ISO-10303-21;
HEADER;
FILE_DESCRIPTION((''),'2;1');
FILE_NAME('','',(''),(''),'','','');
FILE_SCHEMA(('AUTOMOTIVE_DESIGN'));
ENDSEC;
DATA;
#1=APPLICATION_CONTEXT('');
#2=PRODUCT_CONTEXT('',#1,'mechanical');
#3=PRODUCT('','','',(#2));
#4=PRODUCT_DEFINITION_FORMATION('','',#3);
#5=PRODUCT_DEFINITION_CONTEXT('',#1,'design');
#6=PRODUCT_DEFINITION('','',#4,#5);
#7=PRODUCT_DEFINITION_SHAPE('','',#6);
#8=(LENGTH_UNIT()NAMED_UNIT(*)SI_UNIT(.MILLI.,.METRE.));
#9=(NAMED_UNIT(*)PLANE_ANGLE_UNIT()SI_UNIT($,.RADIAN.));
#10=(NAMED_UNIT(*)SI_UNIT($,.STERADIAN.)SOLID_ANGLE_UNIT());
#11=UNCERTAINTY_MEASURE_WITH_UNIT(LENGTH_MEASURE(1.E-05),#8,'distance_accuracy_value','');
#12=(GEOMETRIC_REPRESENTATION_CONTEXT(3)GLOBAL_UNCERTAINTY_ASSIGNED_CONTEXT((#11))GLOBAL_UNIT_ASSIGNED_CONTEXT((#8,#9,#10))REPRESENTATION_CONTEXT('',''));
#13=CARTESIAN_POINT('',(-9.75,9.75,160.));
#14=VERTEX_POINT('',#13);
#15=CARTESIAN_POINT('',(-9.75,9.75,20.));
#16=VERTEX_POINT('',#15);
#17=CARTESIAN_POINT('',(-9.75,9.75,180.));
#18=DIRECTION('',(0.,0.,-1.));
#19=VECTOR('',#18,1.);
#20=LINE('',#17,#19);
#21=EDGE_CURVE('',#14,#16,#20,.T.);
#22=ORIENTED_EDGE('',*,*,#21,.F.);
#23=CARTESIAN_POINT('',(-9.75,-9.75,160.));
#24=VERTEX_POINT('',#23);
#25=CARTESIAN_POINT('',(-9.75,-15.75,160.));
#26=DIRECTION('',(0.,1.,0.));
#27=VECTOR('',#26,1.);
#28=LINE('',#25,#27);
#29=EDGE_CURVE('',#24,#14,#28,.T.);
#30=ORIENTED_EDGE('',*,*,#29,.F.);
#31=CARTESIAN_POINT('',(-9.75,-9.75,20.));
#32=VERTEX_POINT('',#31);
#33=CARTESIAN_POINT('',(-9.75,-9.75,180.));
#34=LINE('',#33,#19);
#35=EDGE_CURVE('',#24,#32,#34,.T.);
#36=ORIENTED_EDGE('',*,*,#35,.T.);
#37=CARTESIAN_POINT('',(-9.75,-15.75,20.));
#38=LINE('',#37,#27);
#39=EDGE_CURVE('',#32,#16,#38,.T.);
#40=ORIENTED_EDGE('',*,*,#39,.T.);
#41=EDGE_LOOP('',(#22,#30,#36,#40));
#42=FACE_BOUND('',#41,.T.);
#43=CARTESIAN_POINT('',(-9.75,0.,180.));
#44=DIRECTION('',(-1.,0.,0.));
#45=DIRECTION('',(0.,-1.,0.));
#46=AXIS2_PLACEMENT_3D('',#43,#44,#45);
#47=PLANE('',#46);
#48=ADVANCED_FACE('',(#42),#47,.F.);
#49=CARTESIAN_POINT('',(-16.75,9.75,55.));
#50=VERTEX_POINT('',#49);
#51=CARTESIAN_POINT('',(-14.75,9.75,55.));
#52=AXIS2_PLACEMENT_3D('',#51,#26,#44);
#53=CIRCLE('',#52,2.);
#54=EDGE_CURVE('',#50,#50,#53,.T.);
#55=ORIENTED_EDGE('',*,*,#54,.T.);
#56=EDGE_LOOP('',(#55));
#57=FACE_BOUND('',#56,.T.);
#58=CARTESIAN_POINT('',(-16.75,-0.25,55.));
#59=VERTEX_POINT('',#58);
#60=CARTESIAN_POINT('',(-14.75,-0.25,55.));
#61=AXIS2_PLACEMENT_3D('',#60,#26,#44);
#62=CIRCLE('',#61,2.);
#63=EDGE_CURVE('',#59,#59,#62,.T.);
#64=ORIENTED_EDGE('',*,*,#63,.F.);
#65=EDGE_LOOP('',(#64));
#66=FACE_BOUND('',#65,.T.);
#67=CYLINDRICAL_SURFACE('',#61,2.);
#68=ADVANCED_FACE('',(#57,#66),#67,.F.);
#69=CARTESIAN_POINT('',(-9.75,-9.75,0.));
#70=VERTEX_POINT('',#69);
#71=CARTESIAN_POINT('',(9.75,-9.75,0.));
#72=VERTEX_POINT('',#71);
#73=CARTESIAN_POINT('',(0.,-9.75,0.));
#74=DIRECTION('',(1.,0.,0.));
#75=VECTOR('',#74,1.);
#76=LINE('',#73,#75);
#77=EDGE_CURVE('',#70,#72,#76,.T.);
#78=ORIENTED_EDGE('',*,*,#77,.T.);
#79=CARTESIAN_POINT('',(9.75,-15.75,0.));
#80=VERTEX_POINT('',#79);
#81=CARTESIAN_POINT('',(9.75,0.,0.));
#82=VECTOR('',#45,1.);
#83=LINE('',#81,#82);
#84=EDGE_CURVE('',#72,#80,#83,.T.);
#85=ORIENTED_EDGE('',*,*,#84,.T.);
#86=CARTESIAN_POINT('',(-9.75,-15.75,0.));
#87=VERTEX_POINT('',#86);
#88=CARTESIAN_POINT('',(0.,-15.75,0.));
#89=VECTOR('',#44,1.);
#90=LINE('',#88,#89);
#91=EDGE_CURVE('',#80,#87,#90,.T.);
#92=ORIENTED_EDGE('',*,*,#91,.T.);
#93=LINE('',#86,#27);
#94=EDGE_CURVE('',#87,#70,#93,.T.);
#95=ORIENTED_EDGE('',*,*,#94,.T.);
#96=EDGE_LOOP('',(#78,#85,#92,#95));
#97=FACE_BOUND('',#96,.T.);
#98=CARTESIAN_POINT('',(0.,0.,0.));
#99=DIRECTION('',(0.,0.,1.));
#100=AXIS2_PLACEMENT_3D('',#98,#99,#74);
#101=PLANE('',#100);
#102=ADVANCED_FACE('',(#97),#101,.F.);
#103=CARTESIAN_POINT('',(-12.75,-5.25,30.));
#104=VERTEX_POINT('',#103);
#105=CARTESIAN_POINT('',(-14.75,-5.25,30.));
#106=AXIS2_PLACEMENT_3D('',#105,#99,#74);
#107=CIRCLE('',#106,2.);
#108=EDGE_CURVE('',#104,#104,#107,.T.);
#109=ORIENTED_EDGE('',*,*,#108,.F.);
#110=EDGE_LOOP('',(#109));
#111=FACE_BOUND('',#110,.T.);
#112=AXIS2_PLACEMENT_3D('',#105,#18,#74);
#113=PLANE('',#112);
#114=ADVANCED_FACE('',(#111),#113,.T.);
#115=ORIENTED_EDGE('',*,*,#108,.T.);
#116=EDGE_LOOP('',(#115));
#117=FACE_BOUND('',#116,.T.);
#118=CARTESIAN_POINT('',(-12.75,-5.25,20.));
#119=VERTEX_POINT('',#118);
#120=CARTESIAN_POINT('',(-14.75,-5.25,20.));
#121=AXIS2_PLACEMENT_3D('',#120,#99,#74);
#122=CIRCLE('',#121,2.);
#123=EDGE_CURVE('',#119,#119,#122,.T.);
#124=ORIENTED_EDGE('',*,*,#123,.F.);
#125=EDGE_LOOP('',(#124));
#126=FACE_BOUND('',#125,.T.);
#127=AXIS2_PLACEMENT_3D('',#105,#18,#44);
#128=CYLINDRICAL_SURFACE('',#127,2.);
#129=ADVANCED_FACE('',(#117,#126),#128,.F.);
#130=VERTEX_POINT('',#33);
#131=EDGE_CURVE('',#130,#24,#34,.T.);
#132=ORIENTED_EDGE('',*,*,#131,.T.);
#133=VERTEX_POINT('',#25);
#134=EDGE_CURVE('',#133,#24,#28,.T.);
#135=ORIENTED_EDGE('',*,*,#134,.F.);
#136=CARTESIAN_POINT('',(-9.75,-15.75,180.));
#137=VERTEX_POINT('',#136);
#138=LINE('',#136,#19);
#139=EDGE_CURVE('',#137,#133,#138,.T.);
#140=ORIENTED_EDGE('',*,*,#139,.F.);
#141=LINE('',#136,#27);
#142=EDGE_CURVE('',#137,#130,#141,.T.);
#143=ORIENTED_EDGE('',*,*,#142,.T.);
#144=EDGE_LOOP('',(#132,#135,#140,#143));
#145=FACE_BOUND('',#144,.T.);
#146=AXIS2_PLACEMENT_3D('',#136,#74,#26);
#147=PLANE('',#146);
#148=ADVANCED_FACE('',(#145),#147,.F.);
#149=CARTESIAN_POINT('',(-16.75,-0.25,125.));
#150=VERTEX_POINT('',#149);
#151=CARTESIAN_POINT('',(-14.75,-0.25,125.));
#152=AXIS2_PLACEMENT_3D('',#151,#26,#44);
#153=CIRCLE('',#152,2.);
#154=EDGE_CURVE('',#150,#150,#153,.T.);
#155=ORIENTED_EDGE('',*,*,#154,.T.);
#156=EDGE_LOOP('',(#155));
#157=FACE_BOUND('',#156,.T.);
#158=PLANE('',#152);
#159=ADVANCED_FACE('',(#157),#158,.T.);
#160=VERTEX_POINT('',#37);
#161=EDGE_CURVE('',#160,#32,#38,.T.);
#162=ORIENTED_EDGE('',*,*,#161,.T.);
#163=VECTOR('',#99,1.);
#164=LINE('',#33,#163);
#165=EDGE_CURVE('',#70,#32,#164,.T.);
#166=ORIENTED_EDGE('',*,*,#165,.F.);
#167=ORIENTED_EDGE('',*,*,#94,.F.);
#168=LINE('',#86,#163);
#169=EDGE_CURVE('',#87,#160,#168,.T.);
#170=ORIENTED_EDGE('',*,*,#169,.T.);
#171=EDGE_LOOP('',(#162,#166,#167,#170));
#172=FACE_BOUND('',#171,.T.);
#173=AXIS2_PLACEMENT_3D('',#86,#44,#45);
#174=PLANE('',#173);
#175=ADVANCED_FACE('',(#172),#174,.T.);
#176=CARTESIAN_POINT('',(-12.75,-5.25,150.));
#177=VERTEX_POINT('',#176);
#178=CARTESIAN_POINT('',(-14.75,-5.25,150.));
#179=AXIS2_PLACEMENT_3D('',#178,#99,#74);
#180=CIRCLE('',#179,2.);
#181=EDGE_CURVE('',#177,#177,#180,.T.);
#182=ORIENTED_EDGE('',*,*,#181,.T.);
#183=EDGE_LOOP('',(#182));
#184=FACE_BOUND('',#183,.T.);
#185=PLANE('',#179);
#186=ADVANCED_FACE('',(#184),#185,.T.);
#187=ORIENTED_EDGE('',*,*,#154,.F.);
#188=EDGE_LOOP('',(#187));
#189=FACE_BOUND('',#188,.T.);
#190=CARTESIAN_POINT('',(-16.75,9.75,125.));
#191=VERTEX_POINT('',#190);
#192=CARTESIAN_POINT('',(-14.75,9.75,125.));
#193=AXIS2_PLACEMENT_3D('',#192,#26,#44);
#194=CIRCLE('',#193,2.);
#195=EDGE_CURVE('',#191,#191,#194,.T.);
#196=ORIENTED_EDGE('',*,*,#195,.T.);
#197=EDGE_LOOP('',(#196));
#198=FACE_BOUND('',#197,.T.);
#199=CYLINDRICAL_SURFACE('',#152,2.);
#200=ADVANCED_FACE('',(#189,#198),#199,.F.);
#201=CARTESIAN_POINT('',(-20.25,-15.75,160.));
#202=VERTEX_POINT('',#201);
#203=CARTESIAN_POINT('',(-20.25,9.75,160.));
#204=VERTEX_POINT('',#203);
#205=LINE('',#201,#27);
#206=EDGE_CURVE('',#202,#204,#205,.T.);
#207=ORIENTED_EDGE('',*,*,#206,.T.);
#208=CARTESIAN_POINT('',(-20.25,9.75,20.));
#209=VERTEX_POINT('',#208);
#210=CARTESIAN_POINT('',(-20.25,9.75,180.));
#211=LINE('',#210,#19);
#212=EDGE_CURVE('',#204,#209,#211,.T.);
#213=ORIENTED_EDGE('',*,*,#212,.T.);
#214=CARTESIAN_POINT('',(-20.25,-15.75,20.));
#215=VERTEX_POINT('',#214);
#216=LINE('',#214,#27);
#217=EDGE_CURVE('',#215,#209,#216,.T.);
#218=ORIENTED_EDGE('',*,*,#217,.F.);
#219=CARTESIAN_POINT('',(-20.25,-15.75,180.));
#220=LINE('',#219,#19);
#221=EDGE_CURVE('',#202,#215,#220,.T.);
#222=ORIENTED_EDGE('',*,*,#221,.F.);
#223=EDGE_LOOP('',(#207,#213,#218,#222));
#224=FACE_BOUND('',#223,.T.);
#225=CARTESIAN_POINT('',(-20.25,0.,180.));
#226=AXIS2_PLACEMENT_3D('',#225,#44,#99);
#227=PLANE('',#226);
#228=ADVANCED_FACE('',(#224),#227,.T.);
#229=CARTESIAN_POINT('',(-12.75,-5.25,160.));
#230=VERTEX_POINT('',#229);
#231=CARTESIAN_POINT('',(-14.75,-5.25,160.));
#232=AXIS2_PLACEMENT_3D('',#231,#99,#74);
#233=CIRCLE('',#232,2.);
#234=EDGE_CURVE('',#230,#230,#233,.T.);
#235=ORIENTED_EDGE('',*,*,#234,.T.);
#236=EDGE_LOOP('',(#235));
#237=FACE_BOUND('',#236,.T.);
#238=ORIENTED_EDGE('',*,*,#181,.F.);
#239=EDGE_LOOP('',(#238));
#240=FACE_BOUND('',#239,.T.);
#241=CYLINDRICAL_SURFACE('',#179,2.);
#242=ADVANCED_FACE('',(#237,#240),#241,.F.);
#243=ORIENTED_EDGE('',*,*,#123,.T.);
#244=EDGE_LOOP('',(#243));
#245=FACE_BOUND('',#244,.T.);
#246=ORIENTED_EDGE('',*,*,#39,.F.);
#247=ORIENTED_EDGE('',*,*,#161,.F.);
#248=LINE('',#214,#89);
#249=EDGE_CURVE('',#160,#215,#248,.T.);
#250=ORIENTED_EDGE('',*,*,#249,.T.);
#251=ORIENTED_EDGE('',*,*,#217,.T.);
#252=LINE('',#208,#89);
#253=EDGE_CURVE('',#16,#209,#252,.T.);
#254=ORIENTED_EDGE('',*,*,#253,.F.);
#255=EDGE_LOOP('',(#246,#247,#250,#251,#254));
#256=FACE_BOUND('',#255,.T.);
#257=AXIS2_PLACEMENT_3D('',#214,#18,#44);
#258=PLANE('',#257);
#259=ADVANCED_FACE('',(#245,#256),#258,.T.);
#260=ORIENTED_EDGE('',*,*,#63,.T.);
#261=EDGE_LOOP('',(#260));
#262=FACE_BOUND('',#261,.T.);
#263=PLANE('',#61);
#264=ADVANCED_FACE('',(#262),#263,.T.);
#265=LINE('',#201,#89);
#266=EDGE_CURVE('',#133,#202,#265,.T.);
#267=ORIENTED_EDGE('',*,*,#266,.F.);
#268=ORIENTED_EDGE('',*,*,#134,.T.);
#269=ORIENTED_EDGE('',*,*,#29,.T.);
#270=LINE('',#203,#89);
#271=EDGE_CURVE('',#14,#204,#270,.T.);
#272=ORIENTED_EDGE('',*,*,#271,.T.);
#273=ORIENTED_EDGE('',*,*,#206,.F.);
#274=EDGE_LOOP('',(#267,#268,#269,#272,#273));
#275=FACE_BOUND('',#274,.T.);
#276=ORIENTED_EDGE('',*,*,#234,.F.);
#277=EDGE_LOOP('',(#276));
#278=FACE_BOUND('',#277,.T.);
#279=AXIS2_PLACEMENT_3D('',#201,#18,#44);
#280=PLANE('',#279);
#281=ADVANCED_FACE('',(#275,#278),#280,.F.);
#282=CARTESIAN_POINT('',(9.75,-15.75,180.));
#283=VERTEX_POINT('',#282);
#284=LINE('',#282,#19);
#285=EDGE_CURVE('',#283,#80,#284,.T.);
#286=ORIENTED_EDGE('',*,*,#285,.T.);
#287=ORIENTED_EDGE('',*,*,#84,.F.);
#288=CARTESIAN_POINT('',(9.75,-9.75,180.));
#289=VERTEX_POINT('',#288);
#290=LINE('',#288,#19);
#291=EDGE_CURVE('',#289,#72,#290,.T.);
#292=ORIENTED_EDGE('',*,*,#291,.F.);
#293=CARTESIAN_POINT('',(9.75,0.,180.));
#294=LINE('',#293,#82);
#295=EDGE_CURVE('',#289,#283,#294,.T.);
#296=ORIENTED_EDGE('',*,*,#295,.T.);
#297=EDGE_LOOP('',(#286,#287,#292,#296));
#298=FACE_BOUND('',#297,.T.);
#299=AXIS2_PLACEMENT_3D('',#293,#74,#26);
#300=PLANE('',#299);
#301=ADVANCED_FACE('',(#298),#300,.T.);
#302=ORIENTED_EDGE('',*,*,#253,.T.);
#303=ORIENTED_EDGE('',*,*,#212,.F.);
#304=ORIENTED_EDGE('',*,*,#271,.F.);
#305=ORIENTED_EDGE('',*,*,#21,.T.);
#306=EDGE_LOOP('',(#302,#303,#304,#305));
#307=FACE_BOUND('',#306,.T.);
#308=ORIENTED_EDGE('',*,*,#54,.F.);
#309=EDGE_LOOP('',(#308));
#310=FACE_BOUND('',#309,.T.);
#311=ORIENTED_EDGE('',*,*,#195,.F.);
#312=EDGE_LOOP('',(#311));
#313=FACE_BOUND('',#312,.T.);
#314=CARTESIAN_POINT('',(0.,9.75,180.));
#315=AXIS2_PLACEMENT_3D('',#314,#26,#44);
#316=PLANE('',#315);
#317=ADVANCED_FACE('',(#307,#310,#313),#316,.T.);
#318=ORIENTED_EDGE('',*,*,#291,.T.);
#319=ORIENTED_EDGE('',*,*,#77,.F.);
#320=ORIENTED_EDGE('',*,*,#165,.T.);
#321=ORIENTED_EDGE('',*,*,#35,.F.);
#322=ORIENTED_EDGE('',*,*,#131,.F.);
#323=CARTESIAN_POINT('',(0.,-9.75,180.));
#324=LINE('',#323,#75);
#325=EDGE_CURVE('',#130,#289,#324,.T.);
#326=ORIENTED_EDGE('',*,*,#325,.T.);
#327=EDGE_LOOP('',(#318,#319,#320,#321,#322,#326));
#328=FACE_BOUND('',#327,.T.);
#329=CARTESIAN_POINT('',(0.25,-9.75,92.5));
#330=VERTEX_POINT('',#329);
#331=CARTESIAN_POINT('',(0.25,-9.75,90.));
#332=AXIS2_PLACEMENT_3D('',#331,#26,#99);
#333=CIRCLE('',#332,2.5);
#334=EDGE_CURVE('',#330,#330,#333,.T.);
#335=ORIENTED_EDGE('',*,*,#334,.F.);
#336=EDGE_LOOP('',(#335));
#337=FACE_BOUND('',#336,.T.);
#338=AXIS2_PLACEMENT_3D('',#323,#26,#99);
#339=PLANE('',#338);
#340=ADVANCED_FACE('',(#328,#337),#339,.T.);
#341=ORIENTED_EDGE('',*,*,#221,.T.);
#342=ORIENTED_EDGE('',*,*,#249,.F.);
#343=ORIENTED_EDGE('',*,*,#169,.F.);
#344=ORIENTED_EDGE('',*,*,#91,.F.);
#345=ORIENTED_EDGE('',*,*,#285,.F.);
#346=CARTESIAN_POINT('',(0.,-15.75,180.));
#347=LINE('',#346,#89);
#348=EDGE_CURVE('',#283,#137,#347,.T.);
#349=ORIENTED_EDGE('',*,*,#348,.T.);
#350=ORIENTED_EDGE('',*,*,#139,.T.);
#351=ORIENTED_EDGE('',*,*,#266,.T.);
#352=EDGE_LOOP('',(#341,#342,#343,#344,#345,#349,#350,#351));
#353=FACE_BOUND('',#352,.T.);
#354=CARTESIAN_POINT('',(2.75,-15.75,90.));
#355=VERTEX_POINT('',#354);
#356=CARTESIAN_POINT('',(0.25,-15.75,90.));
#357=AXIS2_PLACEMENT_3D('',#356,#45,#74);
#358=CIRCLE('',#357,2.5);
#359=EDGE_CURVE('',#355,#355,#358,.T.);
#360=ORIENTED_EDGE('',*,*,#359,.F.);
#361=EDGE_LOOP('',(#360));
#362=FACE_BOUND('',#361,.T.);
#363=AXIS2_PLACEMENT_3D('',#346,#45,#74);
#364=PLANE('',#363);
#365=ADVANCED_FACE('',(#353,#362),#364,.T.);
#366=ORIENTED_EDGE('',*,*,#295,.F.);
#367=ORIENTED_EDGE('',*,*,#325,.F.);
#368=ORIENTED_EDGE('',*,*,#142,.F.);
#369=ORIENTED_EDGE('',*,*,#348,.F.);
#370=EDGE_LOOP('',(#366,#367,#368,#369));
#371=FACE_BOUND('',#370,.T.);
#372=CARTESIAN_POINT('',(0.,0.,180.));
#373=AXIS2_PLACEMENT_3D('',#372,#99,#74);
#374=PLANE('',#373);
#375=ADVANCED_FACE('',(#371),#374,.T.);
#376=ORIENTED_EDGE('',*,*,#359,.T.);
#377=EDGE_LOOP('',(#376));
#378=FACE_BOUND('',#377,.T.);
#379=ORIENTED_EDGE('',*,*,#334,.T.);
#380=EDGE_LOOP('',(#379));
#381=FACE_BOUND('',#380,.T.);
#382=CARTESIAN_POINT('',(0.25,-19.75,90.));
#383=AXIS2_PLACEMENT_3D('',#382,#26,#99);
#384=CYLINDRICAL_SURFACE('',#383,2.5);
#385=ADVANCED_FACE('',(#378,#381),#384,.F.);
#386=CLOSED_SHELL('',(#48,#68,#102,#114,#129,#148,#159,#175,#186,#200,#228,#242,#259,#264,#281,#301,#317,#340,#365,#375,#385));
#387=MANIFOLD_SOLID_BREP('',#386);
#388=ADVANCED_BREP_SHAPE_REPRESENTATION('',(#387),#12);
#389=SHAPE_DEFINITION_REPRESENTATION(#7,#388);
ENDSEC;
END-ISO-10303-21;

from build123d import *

# Parameters (mm, degrees)
DODANIE_WYCI_GNI_CIE1_DEPTH = 180
SZKIC2_W                    = 10.5
SZKIC2_H                    = 20
WYTNIJ_WYCI_GNI_CIE1_DEPTH  = 183.921602059
SZKIC3_R                    = 2
WYTNIJ_WYCI_GNI_CIE2_DEPTH  = 10
SZKIC4_R                    = 2
WYTNIJ_WYCI_GNI_CIE3_DEPTH  = 10
SZKIC5_R                    = 2.5
WYTNIJ_WYCI_GNI_CIE4_DEPTH  = 10


with BuildPart() as part:
    # Szkic1 → Dodanie-wyciągnięcie1 (new body)
    with BuildSketch(Plane.XY):
        Polygon((9.75, -9.75), (9.75, -15.75), (-20.25, -15.75), (-20.25, 9.75), (-9.75, 9.75), (-9.75, -9.75), align=None)
    extrude(amount=DODANIE_WYCI_GNI_CIE1_DEPTH)

    # Szkic2 → Wytnij-wyciągnięcie1 (cut, through all)
    with BuildSketch(Plane(origin=(0, 9.75, 0), x_dir=(1, 0, 0), z_dir=(0, 1, 0))):
        with Locations((-15, -170)):
            Rectangle(SZKIC2_W, SZKIC2_H)
    wytnij_wyci_gni_cie1 = extrude(amount=-WYTNIJ_WYCI_GNI_CIE1_DEPTH, mode=Mode.SUBTRACT)

    # Lustro1: Wytnij-wyciągnięcie1 across plane
    add(wytnij_wyci_gni_cie1.mirror(Plane.XY.offset(90)), mode=Mode.SUBTRACT)

    # Szkic3 → Wytnij-wyciągnięcie2 (cut)
    with BuildSketch(Plane(origin=(0, 9.75, 0), x_dir=(1, 0, 0), z_dir=(0, 1, 0))):
        with Locations(Location((-14.75, -55, 0), (0, 0, 180))):
            Circle(SZKIC3_R)
        with Locations(Location((-14.75, -125, 0), (0, 0, 180))):
            Circle(SZKIC3_R)
    extrude(amount=-WYTNIJ_WYCI_GNI_CIE2_DEPTH, mode=Mode.SUBTRACT)

    # Szkic4 → Wytnij-wyciągnięcie3 (cut)
    with BuildSketch(Plane.XY.offset(160)):
        with Locations((-14.75, -5.25)):
            Circle(SZKIC4_R)
    wytnij_wyci_gni_cie3 = extrude(amount=-WYTNIJ_WYCI_GNI_CIE3_DEPTH, mode=Mode.SUBTRACT)

    # Lustro2: Wytnij-wyciągnięcie3 across plane
    add(wytnij_wyci_gni_cie3.mirror(Plane.XY.offset(90)), mode=Mode.SUBTRACT)

    # Szkic5 → Wytnij-wyciągnięcie4 (cut)
    with BuildSketch(Plane(origin=(0, -9.75, 0), x_dir=(1, 0, 0), z_dir=(0, 1, 0))):
        with Locations(Location((0.25, -90, 0), (0, 0, 270))):
            Circle(SZKIC5_R)
    extrude(amount=-WYTNIJ_WYCI_GNI_CIE4_DEPTH, mode=Mode.SUBTRACT)


solid = part.part
